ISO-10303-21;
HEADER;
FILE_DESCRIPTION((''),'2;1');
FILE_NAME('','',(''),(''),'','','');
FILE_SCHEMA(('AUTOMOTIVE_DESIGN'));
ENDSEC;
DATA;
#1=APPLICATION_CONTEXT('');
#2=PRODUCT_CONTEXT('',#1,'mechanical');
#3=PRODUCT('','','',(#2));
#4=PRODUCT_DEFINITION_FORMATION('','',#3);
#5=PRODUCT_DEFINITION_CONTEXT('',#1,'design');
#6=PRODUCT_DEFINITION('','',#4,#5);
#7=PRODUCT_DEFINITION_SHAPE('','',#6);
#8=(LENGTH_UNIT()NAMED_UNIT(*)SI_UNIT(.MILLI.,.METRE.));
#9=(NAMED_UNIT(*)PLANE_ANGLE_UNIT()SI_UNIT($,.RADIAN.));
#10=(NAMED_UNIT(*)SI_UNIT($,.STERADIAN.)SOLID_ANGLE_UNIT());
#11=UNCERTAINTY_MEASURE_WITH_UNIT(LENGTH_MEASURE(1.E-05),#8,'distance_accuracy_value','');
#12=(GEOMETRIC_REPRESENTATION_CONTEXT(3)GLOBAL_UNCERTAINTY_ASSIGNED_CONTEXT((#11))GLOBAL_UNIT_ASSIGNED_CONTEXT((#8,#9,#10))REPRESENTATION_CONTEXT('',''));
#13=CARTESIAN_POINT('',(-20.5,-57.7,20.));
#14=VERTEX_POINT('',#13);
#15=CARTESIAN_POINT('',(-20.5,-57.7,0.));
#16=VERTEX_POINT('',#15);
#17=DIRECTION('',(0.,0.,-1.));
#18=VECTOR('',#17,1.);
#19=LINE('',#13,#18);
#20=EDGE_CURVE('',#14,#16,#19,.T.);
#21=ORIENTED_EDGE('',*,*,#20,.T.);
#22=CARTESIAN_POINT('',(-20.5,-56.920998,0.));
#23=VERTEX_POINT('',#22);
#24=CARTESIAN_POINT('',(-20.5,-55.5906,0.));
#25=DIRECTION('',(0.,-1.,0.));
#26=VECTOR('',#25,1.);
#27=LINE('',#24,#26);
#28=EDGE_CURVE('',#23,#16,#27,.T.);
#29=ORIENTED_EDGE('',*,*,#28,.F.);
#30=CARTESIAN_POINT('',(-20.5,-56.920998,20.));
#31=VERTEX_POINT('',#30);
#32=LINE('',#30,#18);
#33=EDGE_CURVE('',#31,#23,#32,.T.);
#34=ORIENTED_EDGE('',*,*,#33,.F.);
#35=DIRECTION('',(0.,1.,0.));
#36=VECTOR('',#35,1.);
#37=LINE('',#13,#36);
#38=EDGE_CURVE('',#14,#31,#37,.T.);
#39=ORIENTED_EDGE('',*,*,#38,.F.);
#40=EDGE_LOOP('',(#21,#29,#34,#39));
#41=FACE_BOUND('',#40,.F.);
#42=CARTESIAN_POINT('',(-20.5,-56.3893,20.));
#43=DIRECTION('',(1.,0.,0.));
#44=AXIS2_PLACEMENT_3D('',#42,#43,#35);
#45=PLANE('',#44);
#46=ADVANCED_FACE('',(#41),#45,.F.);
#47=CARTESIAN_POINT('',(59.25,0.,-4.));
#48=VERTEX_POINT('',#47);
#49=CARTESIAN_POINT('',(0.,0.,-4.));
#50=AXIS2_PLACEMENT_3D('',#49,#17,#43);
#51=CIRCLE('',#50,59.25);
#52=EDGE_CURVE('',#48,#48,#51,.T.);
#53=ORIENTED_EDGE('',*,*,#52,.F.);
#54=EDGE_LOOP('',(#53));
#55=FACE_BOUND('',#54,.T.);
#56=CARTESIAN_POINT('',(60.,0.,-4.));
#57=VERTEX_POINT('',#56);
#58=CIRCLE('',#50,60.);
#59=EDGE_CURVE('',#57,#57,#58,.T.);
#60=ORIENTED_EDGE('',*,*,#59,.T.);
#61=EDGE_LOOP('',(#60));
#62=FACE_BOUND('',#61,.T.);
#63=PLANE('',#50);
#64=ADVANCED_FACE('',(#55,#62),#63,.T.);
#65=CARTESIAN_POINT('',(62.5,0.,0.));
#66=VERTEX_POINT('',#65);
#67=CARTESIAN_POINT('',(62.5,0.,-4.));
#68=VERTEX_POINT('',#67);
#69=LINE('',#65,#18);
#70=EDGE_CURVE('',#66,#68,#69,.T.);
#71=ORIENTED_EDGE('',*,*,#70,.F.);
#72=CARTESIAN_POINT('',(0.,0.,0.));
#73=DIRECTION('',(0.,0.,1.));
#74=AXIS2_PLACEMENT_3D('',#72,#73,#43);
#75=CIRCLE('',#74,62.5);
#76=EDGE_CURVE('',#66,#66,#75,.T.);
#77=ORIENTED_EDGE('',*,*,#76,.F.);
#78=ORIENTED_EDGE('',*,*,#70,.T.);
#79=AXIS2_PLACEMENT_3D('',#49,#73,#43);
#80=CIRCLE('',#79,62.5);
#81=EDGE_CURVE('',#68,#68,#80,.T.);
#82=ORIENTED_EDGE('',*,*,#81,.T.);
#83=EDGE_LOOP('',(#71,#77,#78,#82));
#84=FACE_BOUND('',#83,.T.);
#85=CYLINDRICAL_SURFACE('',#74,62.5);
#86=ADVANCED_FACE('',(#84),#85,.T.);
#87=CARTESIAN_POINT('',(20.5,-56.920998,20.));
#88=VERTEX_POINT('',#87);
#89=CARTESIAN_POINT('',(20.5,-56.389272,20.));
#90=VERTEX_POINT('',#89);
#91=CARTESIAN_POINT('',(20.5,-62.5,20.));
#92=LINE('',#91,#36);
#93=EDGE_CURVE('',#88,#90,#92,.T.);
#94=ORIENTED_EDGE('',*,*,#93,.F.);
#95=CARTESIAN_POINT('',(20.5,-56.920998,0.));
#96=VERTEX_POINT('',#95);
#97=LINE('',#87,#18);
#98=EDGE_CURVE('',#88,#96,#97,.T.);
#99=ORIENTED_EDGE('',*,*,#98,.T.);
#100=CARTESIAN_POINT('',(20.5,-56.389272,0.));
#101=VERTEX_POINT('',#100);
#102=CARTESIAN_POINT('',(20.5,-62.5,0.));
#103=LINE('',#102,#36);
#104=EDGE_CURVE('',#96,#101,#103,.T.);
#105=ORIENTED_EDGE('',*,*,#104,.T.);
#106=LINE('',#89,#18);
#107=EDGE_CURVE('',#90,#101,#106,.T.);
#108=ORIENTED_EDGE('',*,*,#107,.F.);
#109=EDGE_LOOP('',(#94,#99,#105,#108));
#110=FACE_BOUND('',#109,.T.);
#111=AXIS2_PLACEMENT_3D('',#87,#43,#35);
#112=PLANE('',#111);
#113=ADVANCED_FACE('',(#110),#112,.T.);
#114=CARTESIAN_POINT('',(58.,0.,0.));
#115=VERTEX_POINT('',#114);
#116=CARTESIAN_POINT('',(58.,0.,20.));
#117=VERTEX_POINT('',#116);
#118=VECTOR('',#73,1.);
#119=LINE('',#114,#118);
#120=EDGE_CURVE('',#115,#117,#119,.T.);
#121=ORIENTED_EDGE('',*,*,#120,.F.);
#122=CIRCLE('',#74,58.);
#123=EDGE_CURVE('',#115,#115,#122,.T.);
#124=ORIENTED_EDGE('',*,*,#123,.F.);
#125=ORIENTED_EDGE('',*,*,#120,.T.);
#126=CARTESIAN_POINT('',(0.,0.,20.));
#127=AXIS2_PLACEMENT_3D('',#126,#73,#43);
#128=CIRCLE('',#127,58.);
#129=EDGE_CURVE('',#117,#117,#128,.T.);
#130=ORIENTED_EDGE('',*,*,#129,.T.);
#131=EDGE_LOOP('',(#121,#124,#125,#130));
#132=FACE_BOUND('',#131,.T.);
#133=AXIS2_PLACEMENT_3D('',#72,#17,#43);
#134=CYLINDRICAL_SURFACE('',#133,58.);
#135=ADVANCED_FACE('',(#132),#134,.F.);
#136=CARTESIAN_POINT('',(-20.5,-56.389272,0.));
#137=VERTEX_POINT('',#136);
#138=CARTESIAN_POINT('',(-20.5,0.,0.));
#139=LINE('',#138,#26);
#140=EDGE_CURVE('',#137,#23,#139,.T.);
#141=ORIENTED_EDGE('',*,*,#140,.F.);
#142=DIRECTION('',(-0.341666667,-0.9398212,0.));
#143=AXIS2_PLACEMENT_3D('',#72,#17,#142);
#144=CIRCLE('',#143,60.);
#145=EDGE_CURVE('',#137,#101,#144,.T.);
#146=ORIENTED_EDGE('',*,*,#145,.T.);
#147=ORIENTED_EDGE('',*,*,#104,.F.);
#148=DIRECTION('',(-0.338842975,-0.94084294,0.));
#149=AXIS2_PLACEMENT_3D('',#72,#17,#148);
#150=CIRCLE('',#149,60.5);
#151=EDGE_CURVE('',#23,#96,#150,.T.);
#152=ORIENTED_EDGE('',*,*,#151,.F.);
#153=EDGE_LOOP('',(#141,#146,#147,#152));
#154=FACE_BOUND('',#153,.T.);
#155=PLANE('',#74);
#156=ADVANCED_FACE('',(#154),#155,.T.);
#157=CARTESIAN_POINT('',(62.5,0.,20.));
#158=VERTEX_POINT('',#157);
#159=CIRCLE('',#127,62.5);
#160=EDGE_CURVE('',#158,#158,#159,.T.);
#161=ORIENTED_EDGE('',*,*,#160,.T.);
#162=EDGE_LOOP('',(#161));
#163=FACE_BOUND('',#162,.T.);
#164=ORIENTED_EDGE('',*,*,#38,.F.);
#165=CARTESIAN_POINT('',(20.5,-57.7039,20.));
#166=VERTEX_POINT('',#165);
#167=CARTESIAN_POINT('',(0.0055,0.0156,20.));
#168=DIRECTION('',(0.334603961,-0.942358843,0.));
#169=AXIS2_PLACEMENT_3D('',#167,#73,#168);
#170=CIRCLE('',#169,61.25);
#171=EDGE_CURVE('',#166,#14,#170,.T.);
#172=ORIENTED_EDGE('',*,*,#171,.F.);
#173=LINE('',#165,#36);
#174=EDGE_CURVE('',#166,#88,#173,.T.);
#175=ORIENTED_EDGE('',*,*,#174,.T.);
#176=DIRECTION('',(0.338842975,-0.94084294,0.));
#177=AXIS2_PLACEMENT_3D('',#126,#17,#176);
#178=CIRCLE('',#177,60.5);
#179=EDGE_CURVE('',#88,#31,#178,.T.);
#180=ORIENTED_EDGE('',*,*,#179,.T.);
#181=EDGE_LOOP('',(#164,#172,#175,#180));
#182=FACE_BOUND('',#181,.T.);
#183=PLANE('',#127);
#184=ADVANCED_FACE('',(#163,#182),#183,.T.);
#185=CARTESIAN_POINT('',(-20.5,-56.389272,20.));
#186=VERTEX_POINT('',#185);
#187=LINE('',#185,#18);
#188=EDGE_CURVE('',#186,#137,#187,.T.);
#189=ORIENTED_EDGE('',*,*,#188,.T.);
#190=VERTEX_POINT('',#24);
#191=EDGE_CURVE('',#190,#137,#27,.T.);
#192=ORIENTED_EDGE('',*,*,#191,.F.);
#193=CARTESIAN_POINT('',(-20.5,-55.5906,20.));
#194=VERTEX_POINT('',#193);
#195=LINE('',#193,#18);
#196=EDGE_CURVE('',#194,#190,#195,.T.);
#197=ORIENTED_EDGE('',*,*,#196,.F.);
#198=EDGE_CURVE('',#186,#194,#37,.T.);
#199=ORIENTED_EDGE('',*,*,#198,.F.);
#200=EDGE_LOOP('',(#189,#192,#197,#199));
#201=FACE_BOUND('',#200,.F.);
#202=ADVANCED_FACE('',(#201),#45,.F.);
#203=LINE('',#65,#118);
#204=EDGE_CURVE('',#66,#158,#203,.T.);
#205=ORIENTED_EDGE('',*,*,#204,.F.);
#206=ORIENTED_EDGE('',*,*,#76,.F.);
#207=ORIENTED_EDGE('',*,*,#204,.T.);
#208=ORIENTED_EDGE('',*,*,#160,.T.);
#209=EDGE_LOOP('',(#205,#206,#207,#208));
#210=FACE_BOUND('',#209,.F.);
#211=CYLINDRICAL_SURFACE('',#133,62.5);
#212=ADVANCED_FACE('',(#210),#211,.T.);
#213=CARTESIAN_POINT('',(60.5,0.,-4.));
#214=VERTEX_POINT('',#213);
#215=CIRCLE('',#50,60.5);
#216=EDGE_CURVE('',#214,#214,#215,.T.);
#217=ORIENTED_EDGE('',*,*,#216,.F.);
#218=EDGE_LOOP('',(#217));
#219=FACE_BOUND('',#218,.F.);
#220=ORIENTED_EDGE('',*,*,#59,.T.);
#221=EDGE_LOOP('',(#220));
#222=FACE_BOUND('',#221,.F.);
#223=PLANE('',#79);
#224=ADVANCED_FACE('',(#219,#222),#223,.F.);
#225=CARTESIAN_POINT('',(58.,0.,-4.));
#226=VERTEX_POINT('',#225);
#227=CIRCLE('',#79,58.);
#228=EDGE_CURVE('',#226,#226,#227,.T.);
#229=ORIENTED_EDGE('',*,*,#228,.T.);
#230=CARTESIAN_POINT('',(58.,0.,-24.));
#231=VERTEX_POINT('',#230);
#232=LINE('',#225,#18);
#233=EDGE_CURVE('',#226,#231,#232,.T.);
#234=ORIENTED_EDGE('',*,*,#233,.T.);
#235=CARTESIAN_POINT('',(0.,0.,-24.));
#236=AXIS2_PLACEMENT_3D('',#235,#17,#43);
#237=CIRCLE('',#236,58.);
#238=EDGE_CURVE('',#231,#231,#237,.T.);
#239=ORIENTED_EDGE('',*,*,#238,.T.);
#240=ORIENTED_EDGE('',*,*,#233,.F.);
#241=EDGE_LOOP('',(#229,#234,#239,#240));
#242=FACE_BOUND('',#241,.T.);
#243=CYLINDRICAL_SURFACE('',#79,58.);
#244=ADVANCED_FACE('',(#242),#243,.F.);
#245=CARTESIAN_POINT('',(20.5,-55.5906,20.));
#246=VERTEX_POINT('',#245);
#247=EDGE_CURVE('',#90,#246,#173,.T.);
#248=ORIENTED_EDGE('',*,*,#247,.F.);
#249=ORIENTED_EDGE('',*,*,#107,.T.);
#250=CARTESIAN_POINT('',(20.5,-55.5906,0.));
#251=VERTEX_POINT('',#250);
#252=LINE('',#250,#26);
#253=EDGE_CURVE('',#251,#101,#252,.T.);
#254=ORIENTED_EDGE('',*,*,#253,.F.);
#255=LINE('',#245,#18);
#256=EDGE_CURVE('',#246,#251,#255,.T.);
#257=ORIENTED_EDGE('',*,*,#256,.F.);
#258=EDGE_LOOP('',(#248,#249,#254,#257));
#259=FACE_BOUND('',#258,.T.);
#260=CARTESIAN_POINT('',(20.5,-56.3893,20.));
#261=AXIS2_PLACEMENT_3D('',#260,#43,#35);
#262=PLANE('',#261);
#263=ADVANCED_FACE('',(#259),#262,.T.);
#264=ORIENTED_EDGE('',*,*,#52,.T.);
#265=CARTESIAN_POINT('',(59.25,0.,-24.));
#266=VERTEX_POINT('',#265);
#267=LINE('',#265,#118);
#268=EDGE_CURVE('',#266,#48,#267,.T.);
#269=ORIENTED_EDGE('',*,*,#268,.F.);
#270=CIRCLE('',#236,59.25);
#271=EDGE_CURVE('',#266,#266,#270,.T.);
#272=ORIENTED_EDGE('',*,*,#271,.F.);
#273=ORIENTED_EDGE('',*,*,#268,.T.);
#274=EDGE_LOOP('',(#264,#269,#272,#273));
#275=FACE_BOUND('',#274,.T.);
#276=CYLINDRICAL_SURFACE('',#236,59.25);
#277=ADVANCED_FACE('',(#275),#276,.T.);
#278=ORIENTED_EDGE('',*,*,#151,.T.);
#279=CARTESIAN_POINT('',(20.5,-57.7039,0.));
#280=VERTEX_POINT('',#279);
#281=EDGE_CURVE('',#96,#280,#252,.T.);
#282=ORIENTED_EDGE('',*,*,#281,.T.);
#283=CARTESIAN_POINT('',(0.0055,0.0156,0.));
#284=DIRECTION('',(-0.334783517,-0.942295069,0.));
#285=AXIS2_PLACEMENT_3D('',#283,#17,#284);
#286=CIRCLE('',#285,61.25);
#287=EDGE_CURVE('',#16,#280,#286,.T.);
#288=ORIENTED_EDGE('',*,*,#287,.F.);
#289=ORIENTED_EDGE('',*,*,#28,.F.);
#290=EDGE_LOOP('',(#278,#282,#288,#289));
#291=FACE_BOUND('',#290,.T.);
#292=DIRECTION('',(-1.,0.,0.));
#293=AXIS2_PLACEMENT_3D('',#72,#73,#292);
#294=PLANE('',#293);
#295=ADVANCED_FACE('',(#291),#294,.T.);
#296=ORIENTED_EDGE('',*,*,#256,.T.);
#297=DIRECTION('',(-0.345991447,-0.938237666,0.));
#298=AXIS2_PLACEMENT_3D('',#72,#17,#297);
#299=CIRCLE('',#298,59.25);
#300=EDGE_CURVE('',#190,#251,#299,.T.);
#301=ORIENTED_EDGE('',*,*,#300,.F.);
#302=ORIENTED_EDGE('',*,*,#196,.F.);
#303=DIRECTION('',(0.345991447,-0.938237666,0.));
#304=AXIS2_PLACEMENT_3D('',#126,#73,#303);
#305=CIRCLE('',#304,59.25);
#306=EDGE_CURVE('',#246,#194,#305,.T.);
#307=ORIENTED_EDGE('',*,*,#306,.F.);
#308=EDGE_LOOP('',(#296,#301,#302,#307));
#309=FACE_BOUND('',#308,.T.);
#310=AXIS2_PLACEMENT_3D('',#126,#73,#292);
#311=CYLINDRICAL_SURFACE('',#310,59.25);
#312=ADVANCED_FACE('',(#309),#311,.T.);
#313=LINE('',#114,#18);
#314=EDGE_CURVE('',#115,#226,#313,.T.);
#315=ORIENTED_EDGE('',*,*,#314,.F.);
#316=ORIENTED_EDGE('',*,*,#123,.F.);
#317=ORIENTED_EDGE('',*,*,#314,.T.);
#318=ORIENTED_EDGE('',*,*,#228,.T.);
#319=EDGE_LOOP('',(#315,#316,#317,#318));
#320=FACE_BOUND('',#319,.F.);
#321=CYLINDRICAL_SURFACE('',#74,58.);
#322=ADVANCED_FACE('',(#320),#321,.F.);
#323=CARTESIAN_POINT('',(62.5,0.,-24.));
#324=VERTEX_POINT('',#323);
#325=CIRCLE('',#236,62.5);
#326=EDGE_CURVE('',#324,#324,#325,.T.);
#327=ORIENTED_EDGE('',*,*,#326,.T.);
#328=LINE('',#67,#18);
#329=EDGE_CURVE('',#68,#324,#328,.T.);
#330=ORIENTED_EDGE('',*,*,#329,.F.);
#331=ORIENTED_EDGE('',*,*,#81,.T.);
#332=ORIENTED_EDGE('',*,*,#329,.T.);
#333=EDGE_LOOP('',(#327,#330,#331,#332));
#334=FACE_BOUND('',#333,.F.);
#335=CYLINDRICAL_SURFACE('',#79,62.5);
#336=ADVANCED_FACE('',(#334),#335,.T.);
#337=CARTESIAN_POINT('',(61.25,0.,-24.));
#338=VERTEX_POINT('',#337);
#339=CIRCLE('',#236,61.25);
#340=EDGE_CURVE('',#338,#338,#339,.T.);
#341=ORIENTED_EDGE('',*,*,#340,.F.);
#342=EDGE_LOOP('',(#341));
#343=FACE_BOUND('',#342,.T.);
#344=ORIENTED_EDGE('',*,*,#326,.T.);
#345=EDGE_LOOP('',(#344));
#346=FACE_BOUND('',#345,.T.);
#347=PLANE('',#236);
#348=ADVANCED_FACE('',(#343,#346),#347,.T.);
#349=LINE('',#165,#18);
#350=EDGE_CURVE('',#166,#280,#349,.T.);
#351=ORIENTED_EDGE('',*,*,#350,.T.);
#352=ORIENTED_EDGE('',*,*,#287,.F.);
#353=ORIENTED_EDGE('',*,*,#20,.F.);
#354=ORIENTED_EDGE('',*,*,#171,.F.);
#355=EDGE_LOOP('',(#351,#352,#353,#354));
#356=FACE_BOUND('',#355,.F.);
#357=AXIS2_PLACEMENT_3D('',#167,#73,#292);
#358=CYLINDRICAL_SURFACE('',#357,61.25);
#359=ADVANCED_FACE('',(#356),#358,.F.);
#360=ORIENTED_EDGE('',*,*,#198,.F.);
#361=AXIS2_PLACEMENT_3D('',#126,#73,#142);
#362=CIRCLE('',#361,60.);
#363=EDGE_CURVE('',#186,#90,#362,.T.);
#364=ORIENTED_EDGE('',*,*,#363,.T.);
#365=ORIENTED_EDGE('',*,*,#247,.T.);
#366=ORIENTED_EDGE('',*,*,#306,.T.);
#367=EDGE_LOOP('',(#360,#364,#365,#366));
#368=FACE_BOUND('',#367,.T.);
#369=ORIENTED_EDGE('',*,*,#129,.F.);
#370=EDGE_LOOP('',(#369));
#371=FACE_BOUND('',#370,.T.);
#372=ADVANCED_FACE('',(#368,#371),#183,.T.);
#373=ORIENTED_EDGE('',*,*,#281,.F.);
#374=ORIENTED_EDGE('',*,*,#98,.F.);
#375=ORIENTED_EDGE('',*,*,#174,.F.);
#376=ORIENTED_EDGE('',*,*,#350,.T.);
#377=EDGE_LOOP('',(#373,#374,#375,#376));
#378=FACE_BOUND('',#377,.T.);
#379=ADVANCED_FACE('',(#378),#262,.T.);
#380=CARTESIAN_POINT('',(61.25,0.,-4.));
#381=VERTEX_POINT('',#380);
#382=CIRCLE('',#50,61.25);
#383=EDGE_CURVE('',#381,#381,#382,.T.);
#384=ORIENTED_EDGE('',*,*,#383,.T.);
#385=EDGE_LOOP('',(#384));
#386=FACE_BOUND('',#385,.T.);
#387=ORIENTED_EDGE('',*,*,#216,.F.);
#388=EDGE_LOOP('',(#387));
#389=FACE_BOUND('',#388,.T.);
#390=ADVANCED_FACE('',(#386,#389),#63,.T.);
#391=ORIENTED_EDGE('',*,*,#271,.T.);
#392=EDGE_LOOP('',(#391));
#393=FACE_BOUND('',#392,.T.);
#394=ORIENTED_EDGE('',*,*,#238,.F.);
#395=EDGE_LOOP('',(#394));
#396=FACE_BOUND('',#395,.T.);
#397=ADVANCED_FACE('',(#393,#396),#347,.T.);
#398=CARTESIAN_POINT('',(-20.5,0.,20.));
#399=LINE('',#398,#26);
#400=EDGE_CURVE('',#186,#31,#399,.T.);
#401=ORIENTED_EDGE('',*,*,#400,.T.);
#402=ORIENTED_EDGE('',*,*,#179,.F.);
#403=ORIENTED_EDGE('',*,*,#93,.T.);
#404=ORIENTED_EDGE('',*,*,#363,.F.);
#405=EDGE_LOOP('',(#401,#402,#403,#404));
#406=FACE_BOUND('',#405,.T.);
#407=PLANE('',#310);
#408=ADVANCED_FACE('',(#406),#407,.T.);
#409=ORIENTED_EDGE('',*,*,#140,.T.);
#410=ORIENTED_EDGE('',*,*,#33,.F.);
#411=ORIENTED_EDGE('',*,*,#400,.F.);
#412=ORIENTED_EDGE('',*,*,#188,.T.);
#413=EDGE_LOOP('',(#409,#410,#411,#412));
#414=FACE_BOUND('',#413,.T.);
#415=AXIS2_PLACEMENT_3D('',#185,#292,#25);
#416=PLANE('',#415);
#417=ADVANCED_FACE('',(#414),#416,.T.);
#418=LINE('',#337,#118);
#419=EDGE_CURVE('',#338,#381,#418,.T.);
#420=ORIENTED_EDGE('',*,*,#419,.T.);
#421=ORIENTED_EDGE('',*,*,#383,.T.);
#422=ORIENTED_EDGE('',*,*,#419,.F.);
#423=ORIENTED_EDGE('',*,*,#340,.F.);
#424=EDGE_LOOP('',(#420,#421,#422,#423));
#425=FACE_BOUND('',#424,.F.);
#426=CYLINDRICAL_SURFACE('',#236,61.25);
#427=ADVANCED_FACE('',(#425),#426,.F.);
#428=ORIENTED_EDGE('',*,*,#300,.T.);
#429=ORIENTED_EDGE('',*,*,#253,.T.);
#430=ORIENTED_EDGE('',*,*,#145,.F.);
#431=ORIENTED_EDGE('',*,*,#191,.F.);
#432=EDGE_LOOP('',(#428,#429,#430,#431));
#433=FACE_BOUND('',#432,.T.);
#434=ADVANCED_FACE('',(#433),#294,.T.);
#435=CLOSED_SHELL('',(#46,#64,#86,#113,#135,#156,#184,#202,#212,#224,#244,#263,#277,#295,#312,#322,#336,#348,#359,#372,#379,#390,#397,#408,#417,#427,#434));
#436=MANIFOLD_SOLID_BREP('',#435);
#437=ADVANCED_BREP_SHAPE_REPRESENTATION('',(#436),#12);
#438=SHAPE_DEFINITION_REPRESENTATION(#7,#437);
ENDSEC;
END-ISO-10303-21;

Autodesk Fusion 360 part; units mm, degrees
sketch "Sketch1" plane through (0, 0, 0) normal (0, 0, 1) x (1, 0, 0)
  circle A0 centre (0, 0) radius 60
  circle A1 centre (0, 0) radius 58
  circle A2 centre (0, 0) radius 60.5
  circle A3 centre (0, 0) radius 62.5
  dimension "d1" = 120
  dimension "d2" = 116
  dimension "d3" = 121
  dimension "d4" = 125
extrude "Extrude1" add sketch "Sketch1" along normal blind 20 makes body 1 at (59.9254, -2.9908, 13.3333) makes body 2 at (62.4223, -3.1154, 13.3333)
sketch "Sketch2" plane through (0, 0, 0) normal (0, 0, -1) x (1, 0, 0)
  circle A0 centre (0, 0) radius 58
  circle A1 centre (0, 0) radius 60
  circle A2 centre (0, 0) radius 60
  circle A3 centre (0, 0) radius 60.5
  dimension "d11" = 120
  dimension "d12" = 121
extrude "Extrude2" add sketch "Sketch1" against normal blind 4 contours A0 | A2 | A3 bodies 2 1
sketch "Sketch3" plane through (0, 0, -4) normal (0, 0, -1) x (1, 0, 0)
  circle A0 centre (0, 0) radius 58
  circle A1 centre (0, 0) radius 62.5
  circle A2 centre (0, 0) radius 58
  circle A3 centre (0, 0) radius 60
  circle A4 centre (0, 0) radius 60.5
  circle A5 centre (0, 0) radius 62.5
  dimension "d13" = 116
  dimension "d14" = 120
  dimension "d15" = 121
  dimension "d16" = 125
extrude "Extrude4" add sketch "Sketch3" along normal blind 20 bodies 2
sketch "Sketch4" plane through (0, 0, 20) normal (0, 0, 1) x (-1, 0, 0)
  circle A0 centre (0, 0) radius 60.5
  circle A1 centre (0, 0) radius 62.5
  line L0 (0, 0) -> (0, 62.5)
  line L1 (0, 0) -> (-20.5, 0)
  line L2 (0, 62.5) -> (20.5, 62.5)
  line L3 (-20.5, 0) -> (20.5, 0)
  line L4 (20.5, 0) -> (20.5, 62.5)
  line L5 (20.5, 62.5) -> (-20.5, 62.5)
  line L6 (-20.5, 62.5) -> (-20.5, 0)
  circle A2 centre (0, 0) radius 60
  dimension "d19" = 20.5
  dimension "d21" = 20.5
  dimension "d22" = 120
extrude "Extrude5" add sketch "Sketch4" against normal blind 20 contours A0 L0 L4 A2 | A0 L0 L6 A2 bodies 2
copy_body "Body->Comp1" bodies 2 removing the originals makes body 3 in component "midjoint"
sketch "Sketch5" plane through (0, 0, -24) normal (0, 0, -1) x (1, 0, 0)
  circle A0 centre (0, 0) radius 58
  circle A1 centre (0, 0) radius 60
  circle A2 centre (0, 0) radius 59.25
  circle A3 centre (0, 0) radius 61.25
  dimension "d35" = 118.5
  dimension "d36" = 122.5
extrude "Extrude1'" cut sketch "Sketch5" against normal blind 20 contours A1 | A3 bodies 3 in component "midjoint"
sketch "Sketch6" plane through (0, 0, 20) normal (0, 0, 1) x (-1, 0, 0)
  circle A0 centre (0, 0) radius 62.5
  circle A1 centre (0, 0) radius 58
  arc A2 (-20.5, 56.3893) -> (20.5, 56.3893) centre (0, 0) ccw
  line L0 (20.5, 56.3893) -> (20.5, 56.921)
  arc A3 (-20.5, 56.921) -> (20.5, 56.921) centre (0, 0) ccw
  line L1 (-20.5, 56.921) -> (-20.5, 56.3893)
  circle A4 centre (0, 0) radius 59.25
  circle A5 centre (-0.0055, -0.0156) radius 61.25
  line L2 (20.5, 56.921) -> (20.5, 57.7)
  line L3 (20.5, 56.3893) -> (20.5, 55.5906)
  line L4 (-20.5, 56.921) -> (-20.5, 57.7039)
  line L5 (-20.5, 56.3893) -> (-20.5, 55.5906)
  dimension "d33" = 118.5
  dimension "d34" = 122.5
extrude "Extrude2'" cut sketch "Sketch6" against normal blind 20 contours A2 A4 L3 L5 | A2 L0 A3 L1 | A3 A5 L2 L4 bodies 3 in component "midjoint"
component "midjoint" placed x (1, 0, 0) y (0, 1, 0) z (0, 0, 1) at (0, 0, 0)
